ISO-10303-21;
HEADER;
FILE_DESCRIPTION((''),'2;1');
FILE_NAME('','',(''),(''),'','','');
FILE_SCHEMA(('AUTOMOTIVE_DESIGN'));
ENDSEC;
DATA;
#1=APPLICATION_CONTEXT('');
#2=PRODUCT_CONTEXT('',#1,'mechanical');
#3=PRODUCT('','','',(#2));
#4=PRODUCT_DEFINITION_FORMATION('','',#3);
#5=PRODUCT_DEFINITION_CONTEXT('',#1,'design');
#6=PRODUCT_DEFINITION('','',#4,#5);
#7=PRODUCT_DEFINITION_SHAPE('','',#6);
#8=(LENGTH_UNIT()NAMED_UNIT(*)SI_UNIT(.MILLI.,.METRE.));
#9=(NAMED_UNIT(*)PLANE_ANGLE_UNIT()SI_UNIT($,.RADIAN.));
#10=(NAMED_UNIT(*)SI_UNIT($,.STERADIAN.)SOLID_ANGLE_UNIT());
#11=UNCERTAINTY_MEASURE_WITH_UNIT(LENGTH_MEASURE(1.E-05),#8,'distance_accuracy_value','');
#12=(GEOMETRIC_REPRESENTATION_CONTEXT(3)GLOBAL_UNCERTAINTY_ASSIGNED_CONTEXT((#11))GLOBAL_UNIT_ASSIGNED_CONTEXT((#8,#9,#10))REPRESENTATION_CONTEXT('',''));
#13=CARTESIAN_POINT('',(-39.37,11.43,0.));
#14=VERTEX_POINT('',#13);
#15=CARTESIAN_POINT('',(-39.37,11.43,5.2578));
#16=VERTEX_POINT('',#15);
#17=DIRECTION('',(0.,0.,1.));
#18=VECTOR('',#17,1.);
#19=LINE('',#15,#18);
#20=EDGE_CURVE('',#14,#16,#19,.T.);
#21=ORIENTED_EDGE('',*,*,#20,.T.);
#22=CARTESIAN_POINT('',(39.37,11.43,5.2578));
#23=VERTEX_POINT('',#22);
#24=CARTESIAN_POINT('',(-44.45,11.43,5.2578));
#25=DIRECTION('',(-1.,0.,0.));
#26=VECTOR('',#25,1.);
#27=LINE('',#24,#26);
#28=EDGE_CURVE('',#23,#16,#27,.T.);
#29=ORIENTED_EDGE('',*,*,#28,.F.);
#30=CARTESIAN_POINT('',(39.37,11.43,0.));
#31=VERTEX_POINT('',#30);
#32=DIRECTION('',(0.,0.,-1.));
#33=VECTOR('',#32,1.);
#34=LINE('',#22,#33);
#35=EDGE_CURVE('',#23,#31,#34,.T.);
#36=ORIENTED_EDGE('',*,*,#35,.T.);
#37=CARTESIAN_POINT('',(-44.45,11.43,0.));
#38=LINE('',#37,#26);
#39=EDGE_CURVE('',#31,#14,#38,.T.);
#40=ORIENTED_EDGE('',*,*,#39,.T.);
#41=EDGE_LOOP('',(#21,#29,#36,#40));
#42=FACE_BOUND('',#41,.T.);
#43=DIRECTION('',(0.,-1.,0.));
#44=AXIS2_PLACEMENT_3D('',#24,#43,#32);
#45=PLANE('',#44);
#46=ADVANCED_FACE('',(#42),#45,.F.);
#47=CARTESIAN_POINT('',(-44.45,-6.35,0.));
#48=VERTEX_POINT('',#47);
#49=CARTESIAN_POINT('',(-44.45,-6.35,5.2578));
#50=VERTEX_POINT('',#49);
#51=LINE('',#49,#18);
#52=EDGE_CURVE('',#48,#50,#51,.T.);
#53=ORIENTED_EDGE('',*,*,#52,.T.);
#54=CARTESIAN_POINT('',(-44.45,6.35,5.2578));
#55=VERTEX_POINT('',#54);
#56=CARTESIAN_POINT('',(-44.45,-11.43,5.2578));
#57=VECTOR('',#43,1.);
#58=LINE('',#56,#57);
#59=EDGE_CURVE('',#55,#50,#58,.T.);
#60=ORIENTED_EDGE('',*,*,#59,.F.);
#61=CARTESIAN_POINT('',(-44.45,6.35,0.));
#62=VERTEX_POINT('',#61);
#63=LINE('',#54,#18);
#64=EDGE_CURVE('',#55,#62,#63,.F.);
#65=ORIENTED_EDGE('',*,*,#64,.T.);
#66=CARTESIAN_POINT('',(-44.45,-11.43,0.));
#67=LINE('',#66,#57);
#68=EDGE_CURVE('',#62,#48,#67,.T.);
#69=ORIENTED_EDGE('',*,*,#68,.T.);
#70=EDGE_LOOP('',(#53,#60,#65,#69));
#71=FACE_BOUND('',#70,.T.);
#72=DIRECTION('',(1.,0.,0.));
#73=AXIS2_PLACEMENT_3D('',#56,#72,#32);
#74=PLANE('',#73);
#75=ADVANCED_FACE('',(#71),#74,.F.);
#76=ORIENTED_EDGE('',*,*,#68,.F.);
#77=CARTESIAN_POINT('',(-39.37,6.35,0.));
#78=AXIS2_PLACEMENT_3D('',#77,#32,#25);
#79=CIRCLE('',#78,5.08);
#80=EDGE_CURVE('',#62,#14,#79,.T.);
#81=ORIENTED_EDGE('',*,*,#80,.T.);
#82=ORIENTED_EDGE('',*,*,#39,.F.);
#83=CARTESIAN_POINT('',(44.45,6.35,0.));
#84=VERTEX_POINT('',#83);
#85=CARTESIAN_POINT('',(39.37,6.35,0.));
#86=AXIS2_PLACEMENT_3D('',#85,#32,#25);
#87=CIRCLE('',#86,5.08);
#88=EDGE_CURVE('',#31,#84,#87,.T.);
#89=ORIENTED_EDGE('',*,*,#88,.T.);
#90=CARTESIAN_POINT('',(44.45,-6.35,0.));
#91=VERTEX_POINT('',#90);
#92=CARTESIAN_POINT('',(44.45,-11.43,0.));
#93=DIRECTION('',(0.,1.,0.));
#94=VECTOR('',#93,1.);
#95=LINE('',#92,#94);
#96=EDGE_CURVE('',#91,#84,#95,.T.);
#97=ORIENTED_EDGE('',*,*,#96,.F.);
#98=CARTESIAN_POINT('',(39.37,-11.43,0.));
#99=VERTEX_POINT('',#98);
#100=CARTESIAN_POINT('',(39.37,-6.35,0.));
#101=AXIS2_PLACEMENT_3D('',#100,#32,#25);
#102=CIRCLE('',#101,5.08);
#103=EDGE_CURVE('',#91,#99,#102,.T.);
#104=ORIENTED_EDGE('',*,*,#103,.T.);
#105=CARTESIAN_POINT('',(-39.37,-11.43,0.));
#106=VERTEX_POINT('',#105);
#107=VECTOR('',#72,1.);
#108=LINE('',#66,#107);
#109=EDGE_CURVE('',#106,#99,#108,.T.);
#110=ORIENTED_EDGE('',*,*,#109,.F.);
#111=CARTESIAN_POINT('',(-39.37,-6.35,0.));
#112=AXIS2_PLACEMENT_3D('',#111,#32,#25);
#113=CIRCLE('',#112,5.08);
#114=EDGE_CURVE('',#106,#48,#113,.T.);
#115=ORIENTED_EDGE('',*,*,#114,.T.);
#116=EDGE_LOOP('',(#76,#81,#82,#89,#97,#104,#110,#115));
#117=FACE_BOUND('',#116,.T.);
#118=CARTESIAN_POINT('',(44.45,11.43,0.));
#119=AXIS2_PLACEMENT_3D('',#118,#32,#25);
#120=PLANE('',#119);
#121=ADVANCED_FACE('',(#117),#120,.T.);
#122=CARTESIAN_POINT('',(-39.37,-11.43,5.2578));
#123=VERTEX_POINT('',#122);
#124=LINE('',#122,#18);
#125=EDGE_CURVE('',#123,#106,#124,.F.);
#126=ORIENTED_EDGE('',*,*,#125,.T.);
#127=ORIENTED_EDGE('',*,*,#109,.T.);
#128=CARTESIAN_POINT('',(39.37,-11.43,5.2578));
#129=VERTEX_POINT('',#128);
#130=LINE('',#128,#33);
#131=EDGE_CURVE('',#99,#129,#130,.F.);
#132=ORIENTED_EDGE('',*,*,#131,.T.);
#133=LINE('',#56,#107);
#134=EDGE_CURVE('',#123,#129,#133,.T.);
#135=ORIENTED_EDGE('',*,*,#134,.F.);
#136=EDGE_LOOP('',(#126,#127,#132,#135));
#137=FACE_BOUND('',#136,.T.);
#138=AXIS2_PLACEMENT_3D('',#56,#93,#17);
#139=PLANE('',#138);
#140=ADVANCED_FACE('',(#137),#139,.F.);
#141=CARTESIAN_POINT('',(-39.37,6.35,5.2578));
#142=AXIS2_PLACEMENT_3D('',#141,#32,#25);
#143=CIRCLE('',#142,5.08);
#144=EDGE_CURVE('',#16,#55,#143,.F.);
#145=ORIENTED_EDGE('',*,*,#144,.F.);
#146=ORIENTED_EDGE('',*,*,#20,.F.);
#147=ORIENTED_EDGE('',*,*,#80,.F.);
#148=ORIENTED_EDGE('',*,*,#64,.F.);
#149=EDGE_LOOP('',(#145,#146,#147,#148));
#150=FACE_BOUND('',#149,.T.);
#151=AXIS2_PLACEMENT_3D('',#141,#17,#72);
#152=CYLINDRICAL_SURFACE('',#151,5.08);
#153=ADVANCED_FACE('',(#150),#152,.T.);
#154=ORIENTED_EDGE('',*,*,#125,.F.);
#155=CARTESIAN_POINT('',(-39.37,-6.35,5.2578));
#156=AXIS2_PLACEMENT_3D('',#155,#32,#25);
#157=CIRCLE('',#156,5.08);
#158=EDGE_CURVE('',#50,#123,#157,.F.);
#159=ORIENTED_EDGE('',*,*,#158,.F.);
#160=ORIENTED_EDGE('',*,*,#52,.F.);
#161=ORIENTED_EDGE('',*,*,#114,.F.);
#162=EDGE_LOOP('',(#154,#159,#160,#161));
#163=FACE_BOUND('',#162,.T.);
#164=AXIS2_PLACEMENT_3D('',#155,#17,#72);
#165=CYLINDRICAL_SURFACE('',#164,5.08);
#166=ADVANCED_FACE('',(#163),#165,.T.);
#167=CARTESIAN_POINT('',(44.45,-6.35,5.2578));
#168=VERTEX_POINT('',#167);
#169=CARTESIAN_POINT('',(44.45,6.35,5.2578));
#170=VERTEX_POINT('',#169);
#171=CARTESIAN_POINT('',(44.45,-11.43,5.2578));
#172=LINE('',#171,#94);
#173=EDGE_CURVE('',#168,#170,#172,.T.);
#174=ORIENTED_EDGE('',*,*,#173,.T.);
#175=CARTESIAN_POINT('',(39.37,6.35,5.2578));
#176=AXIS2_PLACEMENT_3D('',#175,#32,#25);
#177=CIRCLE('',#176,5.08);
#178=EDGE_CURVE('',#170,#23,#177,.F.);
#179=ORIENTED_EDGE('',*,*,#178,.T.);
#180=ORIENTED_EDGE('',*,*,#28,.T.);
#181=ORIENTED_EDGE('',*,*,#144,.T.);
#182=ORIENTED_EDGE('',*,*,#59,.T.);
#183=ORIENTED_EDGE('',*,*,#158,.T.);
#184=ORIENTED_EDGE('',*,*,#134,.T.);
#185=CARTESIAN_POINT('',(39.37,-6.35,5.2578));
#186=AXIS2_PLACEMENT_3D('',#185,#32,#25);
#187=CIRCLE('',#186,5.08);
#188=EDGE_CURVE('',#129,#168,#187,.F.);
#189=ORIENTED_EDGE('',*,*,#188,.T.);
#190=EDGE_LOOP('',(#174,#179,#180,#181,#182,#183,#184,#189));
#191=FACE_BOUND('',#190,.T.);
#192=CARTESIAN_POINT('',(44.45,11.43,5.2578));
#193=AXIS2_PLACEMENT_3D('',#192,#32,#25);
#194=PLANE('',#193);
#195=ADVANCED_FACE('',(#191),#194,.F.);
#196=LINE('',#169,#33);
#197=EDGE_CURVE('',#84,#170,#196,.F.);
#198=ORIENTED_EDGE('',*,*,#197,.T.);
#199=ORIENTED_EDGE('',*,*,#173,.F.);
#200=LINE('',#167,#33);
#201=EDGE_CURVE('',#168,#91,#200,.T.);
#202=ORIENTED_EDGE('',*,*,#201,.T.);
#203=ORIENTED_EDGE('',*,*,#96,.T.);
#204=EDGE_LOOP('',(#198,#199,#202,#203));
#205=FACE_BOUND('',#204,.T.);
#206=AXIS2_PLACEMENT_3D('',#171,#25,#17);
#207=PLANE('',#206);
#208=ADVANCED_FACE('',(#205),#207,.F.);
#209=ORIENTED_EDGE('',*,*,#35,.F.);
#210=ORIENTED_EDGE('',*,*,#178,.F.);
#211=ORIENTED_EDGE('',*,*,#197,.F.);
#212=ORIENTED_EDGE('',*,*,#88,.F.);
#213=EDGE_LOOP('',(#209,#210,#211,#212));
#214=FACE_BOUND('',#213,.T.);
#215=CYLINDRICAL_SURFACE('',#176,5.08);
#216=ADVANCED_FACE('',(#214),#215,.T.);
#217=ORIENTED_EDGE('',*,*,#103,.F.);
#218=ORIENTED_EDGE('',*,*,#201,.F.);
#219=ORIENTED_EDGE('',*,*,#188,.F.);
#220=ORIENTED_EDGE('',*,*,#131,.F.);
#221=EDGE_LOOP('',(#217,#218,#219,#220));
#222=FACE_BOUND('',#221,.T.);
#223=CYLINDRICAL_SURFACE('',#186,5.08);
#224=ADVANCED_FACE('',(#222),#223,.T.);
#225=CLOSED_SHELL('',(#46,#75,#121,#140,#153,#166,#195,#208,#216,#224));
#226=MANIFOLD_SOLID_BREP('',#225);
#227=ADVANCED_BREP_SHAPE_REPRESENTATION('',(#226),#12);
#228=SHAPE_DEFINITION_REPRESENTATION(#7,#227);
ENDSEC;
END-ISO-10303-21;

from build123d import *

# Parameters (mm, degrees)
SKETCH1_W           = 88.9
SKETCH1_H           = 22.86
BOSS_EXTRUDE1_DEPTH = 5.2578
FILLET1_R           = 5.08
FILLET2_R           = 5.08
FILLET3_R           = 5.08
FILLET4_R           = 5.08


with BuildPart() as part:
    # Sketch1 → Boss-Extrude1 (new body)
    with BuildSketch(Plane.XY):
        Rectangle(SKETCH1_W, SKETCH1_H)
    extrude(amount=BOSS_EXTRUDE1_DEPTH)

    # Fillet1
    fillet1_edges = [part.edges().sort_by_distance(p)[0] for p in [
        (-44.45, 11.43, 2.6289),
    ]]
    fillet(fillet1_edges, radius=FILLET1_R)

    # Fillet2
    fillet2_edges = [part.edges().sort_by_distance(p)[0] for p in [
        (44.45, 11.43, 2.6289),
    ]]
    fillet(fillet2_edges, radius=FILLET2_R)

    # Fillet3
    fillet3_edges = [part.edges().sort_by_distance(p)[0] for p in [
        (44.45, -11.43, 2.6289),
    ]]
    fillet(fillet3_edges, radius=FILLET3_R)

    # Fillet4
    fillet4_edges = [part.edges().sort_by_distance(p)[0] for p in [
        (-44.45, -11.43, 2.6289),
    ]]
    fillet(fillet4_edges, radius=FILLET4_R)


solid = part.part
